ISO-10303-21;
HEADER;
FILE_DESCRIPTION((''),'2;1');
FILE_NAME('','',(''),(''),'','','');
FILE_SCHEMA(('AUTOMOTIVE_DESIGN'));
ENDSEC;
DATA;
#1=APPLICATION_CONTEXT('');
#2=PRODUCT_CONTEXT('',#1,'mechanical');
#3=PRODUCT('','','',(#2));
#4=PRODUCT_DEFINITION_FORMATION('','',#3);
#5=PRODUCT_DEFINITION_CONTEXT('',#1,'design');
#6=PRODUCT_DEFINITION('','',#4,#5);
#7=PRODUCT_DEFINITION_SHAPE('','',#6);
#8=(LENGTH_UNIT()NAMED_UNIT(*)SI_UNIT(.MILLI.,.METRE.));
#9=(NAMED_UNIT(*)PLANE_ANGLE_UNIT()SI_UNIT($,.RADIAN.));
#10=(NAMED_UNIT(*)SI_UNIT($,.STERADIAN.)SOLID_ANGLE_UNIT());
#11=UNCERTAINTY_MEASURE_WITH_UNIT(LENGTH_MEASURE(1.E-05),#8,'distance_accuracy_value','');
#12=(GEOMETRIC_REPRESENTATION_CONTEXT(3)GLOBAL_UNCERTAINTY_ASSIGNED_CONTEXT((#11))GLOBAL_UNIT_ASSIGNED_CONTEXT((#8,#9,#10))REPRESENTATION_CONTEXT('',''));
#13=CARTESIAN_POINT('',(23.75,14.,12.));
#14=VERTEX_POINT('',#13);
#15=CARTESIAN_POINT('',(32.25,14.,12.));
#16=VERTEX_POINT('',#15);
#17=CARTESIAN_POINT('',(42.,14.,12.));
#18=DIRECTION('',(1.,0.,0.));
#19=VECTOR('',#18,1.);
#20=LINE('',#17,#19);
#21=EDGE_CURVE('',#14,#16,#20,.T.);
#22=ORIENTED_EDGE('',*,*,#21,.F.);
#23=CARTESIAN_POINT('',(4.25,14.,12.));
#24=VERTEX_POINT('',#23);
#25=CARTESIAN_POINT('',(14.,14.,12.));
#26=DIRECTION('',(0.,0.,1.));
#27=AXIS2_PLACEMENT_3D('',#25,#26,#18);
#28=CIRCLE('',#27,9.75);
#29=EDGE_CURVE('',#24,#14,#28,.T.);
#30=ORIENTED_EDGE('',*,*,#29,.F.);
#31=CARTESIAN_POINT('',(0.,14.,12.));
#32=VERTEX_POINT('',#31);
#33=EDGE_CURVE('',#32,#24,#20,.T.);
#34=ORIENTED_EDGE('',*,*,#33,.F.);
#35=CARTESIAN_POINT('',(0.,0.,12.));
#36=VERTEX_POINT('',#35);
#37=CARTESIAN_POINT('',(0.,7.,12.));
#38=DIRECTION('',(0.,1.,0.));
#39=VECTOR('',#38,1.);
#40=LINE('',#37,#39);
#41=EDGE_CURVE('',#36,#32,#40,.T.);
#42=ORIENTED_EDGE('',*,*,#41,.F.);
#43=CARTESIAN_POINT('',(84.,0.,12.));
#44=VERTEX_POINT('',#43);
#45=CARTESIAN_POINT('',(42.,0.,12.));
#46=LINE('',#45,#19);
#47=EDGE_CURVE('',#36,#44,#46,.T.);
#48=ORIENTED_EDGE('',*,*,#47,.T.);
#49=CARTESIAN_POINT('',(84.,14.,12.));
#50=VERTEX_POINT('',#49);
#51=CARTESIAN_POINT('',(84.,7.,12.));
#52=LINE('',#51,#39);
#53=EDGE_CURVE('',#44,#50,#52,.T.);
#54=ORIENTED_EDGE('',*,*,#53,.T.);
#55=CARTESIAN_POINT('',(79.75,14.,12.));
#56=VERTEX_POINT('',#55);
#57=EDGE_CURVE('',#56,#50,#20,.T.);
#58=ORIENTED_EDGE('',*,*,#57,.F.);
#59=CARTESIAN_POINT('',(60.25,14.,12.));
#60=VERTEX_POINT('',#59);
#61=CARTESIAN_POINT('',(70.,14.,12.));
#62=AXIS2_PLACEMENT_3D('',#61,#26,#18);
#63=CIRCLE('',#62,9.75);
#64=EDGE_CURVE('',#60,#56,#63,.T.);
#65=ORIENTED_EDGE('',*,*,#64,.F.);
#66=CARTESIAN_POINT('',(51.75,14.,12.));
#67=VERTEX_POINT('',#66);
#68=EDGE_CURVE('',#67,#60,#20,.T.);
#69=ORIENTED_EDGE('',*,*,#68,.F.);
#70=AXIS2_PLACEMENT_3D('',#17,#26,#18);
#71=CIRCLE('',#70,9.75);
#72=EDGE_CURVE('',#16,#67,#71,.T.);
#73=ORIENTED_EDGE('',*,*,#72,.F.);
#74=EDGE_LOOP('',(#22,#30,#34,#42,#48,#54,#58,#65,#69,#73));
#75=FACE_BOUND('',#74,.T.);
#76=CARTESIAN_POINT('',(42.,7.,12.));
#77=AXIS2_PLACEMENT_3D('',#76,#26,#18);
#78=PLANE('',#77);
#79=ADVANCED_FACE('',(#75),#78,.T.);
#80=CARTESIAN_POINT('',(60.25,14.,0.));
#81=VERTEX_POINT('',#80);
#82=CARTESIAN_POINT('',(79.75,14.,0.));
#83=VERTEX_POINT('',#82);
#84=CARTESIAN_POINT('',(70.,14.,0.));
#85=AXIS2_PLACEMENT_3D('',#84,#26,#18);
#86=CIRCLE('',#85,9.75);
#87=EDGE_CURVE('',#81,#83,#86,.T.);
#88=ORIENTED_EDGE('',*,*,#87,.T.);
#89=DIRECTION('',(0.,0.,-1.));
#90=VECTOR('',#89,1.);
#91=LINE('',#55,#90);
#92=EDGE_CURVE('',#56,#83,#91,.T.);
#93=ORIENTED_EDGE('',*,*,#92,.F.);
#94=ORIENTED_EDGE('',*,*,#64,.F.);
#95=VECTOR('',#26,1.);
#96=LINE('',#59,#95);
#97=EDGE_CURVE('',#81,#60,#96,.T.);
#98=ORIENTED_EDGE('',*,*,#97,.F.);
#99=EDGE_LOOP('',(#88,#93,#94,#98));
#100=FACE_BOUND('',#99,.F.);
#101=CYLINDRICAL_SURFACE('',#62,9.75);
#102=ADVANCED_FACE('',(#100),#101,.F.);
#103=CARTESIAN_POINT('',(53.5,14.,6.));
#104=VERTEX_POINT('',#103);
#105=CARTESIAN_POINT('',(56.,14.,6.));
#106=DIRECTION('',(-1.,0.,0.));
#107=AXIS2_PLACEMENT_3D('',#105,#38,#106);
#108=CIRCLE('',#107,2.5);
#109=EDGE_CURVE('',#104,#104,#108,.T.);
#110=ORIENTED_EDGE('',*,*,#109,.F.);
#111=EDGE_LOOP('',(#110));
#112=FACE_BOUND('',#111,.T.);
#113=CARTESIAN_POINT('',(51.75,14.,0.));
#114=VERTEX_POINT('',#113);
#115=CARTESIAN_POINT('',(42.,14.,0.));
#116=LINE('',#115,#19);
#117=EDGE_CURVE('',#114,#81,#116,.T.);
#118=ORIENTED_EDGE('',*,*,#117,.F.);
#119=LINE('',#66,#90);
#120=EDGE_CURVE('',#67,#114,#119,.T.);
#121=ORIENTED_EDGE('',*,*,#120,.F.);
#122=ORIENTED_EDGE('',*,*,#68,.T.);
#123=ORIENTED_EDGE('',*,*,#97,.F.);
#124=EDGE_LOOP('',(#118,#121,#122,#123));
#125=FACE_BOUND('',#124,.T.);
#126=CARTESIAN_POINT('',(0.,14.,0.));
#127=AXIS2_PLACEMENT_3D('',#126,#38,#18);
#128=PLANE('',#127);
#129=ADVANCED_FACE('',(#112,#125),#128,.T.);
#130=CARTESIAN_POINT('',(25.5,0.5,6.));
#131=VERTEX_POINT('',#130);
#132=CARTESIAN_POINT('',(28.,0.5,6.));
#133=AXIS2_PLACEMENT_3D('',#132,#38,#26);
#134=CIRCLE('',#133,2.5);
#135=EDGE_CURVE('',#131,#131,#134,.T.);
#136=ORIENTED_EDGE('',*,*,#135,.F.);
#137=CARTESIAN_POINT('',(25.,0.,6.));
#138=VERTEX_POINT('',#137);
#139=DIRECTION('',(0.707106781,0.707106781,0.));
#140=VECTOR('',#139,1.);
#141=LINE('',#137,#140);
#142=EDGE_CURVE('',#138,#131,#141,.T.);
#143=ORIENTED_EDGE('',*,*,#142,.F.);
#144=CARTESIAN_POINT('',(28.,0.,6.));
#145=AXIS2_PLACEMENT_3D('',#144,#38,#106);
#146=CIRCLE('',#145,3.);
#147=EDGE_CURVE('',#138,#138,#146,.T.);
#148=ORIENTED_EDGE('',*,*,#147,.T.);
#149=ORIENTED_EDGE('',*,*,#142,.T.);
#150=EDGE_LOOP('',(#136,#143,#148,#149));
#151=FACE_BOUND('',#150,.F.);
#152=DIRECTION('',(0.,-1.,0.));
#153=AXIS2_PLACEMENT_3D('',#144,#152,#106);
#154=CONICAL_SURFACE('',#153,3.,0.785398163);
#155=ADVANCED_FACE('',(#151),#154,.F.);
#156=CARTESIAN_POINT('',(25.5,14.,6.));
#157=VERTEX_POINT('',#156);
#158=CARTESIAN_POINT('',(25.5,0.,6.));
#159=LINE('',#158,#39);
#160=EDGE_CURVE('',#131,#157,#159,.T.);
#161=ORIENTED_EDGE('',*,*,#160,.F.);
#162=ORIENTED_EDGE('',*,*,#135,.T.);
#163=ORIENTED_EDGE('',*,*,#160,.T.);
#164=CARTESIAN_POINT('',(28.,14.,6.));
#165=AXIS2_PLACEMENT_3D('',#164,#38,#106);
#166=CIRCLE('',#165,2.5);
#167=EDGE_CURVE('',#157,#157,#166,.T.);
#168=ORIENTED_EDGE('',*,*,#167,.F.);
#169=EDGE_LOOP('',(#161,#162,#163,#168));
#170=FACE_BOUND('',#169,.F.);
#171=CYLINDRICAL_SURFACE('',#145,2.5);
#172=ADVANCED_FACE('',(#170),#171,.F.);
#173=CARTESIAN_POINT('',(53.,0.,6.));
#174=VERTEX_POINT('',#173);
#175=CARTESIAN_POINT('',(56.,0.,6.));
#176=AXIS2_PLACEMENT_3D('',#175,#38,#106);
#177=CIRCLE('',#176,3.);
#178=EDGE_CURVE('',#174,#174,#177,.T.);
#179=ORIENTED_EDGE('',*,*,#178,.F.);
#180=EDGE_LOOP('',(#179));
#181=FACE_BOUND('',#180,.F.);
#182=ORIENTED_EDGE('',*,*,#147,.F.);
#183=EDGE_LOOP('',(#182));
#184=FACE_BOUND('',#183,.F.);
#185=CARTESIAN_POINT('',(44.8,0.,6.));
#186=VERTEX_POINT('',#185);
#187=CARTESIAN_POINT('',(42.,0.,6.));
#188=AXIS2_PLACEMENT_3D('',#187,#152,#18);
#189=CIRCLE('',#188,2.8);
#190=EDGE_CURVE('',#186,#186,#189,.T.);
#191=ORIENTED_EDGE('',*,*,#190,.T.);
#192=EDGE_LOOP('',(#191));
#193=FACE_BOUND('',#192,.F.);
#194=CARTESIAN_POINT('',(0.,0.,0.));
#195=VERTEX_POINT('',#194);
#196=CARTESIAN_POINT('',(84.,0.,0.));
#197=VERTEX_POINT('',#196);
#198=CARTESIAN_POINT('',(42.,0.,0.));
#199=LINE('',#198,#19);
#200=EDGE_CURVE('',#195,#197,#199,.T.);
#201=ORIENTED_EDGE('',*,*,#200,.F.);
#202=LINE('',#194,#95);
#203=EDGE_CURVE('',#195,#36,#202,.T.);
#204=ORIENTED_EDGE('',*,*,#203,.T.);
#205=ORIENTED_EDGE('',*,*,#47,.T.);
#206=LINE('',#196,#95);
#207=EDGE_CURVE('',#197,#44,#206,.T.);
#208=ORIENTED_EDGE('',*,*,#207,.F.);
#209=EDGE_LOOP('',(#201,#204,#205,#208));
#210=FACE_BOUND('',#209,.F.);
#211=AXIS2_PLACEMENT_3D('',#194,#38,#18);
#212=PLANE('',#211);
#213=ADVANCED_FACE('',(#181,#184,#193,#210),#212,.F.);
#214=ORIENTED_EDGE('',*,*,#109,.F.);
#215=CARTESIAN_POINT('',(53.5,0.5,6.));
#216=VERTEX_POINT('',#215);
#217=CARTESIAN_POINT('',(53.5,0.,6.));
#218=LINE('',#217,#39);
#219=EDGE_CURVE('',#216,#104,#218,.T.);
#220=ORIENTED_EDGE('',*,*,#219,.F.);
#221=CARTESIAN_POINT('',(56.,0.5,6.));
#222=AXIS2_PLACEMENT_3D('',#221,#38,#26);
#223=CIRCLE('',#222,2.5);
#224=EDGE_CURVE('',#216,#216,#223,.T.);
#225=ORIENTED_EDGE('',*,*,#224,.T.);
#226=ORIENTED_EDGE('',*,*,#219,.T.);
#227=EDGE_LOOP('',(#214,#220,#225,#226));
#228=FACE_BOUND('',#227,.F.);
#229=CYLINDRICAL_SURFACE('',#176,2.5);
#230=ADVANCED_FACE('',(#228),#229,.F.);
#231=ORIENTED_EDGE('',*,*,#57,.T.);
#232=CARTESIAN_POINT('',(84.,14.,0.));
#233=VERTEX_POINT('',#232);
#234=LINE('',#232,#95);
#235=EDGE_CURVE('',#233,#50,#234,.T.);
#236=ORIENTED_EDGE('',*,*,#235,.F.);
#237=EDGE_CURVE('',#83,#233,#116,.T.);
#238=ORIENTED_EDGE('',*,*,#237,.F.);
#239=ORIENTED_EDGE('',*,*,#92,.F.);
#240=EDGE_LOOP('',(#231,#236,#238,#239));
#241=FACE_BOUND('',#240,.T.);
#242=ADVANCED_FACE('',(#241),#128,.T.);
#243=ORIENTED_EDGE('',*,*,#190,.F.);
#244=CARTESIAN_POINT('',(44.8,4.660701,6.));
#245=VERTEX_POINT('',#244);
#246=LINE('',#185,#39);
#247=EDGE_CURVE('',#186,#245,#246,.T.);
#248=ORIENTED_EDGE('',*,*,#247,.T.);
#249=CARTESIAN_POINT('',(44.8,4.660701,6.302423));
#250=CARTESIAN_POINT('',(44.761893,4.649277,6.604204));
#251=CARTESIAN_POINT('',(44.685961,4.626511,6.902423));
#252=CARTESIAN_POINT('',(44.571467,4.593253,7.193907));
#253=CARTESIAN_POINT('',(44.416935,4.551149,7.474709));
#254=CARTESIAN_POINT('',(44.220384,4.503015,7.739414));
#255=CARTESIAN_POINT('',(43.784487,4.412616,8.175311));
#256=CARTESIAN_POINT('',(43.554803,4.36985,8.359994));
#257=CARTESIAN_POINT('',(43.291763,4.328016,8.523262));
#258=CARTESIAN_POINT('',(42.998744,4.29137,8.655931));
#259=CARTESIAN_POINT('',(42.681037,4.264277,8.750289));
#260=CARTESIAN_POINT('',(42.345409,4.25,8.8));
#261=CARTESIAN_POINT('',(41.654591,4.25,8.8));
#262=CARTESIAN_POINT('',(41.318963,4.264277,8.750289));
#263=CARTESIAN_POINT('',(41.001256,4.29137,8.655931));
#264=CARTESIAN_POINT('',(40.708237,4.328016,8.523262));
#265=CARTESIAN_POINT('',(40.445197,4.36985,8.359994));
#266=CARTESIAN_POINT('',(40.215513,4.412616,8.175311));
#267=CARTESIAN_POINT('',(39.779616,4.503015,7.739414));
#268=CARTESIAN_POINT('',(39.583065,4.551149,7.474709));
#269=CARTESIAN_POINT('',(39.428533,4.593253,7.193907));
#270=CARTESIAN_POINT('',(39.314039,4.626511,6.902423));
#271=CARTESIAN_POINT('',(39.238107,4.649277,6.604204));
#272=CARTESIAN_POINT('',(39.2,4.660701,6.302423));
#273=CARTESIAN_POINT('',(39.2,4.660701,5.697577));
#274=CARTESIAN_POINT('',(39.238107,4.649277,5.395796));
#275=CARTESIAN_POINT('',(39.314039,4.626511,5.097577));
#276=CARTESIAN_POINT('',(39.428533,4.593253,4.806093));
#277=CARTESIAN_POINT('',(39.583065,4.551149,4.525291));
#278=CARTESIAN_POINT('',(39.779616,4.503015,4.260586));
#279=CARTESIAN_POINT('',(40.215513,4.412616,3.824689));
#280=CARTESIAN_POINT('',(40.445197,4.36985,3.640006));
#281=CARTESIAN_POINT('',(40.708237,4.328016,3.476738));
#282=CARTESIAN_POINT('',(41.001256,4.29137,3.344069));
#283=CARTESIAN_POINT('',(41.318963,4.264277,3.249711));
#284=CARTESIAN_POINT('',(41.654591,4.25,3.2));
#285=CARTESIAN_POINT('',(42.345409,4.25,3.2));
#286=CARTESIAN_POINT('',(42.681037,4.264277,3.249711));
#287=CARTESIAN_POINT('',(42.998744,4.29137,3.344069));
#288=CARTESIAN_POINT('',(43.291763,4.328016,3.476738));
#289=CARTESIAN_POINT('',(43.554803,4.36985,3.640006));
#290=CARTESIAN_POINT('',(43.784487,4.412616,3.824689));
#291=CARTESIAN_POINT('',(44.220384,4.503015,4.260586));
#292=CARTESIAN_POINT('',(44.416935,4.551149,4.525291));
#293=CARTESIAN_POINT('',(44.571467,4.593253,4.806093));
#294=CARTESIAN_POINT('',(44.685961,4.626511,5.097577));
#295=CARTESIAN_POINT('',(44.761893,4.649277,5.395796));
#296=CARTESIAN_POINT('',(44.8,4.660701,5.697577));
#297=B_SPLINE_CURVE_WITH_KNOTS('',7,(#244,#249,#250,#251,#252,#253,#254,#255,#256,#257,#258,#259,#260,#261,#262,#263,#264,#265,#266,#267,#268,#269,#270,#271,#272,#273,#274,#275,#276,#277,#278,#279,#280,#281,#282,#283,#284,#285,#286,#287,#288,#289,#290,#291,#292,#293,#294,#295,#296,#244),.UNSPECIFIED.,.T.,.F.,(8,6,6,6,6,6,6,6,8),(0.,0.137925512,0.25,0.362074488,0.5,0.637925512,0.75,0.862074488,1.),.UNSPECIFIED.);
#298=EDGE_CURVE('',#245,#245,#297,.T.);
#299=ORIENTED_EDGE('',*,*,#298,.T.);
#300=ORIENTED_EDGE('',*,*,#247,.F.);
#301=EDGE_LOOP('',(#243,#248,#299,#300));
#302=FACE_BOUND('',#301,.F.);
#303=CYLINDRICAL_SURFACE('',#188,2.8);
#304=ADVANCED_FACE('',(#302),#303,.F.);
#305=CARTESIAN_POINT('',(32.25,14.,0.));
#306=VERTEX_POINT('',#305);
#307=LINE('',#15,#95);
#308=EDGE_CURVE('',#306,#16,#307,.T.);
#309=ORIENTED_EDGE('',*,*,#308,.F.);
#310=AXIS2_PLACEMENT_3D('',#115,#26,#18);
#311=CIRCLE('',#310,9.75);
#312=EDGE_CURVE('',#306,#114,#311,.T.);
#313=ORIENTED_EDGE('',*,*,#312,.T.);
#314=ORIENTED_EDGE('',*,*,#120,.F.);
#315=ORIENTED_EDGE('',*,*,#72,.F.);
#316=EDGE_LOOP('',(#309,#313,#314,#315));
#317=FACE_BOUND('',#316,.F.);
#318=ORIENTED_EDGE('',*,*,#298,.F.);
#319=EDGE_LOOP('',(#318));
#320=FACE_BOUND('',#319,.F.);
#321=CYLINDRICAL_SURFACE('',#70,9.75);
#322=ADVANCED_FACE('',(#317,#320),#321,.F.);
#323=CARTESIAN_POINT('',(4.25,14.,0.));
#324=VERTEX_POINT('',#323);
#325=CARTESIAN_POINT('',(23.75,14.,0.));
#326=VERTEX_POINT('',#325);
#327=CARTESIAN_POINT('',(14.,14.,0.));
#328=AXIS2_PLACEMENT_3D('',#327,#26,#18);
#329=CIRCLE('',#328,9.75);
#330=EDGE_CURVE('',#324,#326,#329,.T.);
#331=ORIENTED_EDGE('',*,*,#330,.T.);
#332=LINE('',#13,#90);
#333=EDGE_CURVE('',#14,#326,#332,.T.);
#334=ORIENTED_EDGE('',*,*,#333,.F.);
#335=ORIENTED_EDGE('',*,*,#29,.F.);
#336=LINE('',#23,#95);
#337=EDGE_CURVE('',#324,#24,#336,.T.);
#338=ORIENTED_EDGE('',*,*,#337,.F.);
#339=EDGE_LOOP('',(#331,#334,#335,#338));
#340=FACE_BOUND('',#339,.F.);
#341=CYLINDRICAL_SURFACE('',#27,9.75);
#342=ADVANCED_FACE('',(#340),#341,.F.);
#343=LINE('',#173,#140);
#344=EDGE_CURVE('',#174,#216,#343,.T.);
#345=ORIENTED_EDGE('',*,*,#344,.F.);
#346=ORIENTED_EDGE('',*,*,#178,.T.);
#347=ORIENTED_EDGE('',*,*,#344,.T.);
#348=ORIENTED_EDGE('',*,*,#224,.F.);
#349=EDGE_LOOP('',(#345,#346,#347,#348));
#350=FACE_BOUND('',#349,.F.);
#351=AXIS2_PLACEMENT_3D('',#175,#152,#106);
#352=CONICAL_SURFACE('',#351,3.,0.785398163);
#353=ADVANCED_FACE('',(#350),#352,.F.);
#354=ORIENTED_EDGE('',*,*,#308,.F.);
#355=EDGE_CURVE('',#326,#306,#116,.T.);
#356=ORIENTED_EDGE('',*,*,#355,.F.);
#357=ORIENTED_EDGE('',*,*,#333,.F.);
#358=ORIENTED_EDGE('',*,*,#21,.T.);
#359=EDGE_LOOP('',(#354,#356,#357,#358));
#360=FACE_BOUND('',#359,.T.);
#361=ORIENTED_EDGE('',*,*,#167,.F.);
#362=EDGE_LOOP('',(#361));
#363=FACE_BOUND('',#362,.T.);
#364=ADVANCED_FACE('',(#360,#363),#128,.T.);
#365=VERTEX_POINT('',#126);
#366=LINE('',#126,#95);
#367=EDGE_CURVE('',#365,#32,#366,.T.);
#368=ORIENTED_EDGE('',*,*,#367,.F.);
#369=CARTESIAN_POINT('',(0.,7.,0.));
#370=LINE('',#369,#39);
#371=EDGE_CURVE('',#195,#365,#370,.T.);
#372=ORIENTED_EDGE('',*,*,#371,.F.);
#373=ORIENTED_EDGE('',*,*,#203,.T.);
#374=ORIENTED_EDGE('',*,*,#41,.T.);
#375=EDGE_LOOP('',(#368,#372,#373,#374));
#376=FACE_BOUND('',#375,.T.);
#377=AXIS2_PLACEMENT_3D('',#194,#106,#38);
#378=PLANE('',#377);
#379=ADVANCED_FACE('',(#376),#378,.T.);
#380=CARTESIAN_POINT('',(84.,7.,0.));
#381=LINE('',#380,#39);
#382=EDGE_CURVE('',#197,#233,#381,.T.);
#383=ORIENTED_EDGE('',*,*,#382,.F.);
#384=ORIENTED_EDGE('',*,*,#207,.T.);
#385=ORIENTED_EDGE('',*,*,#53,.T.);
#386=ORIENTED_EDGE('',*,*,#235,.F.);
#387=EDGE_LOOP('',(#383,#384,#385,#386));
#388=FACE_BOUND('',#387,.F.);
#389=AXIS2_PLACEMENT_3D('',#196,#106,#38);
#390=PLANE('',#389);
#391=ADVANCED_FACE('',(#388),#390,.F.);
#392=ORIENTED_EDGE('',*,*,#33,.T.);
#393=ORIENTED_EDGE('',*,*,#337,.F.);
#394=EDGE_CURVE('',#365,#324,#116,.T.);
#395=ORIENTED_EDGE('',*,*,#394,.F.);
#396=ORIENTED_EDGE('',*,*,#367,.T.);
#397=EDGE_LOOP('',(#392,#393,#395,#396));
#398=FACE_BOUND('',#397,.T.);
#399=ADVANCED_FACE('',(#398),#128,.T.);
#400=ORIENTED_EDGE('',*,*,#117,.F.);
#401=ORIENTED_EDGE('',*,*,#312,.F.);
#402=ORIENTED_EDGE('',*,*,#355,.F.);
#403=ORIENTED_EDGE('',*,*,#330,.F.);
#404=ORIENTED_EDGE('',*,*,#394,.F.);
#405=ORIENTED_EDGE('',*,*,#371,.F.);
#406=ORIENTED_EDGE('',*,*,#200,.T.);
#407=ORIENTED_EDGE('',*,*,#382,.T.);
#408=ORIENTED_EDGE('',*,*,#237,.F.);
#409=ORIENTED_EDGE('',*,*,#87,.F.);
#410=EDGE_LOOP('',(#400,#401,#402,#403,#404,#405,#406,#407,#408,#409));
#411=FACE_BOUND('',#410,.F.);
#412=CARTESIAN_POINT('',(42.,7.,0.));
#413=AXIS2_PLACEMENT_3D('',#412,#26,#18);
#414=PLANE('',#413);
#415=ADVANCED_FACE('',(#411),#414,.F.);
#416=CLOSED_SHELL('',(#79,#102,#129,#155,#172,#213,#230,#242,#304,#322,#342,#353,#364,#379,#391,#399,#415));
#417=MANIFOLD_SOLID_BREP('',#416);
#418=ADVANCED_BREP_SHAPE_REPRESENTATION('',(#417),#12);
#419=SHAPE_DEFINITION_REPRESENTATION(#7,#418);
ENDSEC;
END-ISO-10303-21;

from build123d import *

# Parameters (mm, degrees)
SKETCH_W               = 84
SKETCH_H               = 14
PAD_DEPTH              = 12
SKETCH001_R            = 9.75
POCKET_DEPTH           = 12.001
LINEARPATTERN001_COUNT = 3
LINEARPATTERN001_PITCH = 28
HOLE_D                 = 5
HOLE_CSINK_D           = 6
HOLE_CSINK_ANGLE       = 90
LINEARPATTERN_COUNT    = 2
LINEARPATTERN_PITCH    = 28
SKETCH003_R            = 2.8
POCKET001_DEPTH        = 14.001


with BuildPart() as part:
    # Sketch → Pad (new body)
    with BuildSketch(Plane.XY):
        with Locations((42, 7)):
            Rectangle(SKETCH_W, SKETCH_H)
    extrude(amount=PAD_DEPTH)

    # Sketch001 (on DatumPlane) → Pocket (cut, through all)
    with BuildSketch(Plane.XY.offset(12)):
        with Locations((14, 14)):
            Circle(SKETCH001_R)
    pocket = extrude(amount=-POCKET_DEPTH, mode=Mode.SUBTRACT)

    # LinearPattern001: Pocket ×3
    with Locations(*[(i * LINEARPATTERN001_PITCH, 0, 0) for i in range(1, LINEARPATTERN001_COUNT)]):
        add(pocket, mode=Mode.SUBTRACT)

    # Hole (through all)
    with Locations(Plane.XZ):
        with Locations((28, 6)):
            hole = CounterSinkHole(HOLE_D / 2, HOLE_CSINK_D / 2, counter_sink_angle=HOLE_CSINK_ANGLE)

    # LinearPattern: Hole ×2
    with Locations(*[(i * LINEARPATTERN_PITCH, 0, 0) for i in range(1, LINEARPATTERN_COUNT)]):
        add(hole, mode=Mode.SUBTRACT)

    # Sketch003 → Pocket001 (cut, through all)
    with BuildSketch(Plane.XZ):
        with Locations((42, 6)):
            Circle(SKETCH003_R)
    extrude(amount=-POCKET001_DEPTH, mode=Mode.SUBTRACT)


solid = part.part
